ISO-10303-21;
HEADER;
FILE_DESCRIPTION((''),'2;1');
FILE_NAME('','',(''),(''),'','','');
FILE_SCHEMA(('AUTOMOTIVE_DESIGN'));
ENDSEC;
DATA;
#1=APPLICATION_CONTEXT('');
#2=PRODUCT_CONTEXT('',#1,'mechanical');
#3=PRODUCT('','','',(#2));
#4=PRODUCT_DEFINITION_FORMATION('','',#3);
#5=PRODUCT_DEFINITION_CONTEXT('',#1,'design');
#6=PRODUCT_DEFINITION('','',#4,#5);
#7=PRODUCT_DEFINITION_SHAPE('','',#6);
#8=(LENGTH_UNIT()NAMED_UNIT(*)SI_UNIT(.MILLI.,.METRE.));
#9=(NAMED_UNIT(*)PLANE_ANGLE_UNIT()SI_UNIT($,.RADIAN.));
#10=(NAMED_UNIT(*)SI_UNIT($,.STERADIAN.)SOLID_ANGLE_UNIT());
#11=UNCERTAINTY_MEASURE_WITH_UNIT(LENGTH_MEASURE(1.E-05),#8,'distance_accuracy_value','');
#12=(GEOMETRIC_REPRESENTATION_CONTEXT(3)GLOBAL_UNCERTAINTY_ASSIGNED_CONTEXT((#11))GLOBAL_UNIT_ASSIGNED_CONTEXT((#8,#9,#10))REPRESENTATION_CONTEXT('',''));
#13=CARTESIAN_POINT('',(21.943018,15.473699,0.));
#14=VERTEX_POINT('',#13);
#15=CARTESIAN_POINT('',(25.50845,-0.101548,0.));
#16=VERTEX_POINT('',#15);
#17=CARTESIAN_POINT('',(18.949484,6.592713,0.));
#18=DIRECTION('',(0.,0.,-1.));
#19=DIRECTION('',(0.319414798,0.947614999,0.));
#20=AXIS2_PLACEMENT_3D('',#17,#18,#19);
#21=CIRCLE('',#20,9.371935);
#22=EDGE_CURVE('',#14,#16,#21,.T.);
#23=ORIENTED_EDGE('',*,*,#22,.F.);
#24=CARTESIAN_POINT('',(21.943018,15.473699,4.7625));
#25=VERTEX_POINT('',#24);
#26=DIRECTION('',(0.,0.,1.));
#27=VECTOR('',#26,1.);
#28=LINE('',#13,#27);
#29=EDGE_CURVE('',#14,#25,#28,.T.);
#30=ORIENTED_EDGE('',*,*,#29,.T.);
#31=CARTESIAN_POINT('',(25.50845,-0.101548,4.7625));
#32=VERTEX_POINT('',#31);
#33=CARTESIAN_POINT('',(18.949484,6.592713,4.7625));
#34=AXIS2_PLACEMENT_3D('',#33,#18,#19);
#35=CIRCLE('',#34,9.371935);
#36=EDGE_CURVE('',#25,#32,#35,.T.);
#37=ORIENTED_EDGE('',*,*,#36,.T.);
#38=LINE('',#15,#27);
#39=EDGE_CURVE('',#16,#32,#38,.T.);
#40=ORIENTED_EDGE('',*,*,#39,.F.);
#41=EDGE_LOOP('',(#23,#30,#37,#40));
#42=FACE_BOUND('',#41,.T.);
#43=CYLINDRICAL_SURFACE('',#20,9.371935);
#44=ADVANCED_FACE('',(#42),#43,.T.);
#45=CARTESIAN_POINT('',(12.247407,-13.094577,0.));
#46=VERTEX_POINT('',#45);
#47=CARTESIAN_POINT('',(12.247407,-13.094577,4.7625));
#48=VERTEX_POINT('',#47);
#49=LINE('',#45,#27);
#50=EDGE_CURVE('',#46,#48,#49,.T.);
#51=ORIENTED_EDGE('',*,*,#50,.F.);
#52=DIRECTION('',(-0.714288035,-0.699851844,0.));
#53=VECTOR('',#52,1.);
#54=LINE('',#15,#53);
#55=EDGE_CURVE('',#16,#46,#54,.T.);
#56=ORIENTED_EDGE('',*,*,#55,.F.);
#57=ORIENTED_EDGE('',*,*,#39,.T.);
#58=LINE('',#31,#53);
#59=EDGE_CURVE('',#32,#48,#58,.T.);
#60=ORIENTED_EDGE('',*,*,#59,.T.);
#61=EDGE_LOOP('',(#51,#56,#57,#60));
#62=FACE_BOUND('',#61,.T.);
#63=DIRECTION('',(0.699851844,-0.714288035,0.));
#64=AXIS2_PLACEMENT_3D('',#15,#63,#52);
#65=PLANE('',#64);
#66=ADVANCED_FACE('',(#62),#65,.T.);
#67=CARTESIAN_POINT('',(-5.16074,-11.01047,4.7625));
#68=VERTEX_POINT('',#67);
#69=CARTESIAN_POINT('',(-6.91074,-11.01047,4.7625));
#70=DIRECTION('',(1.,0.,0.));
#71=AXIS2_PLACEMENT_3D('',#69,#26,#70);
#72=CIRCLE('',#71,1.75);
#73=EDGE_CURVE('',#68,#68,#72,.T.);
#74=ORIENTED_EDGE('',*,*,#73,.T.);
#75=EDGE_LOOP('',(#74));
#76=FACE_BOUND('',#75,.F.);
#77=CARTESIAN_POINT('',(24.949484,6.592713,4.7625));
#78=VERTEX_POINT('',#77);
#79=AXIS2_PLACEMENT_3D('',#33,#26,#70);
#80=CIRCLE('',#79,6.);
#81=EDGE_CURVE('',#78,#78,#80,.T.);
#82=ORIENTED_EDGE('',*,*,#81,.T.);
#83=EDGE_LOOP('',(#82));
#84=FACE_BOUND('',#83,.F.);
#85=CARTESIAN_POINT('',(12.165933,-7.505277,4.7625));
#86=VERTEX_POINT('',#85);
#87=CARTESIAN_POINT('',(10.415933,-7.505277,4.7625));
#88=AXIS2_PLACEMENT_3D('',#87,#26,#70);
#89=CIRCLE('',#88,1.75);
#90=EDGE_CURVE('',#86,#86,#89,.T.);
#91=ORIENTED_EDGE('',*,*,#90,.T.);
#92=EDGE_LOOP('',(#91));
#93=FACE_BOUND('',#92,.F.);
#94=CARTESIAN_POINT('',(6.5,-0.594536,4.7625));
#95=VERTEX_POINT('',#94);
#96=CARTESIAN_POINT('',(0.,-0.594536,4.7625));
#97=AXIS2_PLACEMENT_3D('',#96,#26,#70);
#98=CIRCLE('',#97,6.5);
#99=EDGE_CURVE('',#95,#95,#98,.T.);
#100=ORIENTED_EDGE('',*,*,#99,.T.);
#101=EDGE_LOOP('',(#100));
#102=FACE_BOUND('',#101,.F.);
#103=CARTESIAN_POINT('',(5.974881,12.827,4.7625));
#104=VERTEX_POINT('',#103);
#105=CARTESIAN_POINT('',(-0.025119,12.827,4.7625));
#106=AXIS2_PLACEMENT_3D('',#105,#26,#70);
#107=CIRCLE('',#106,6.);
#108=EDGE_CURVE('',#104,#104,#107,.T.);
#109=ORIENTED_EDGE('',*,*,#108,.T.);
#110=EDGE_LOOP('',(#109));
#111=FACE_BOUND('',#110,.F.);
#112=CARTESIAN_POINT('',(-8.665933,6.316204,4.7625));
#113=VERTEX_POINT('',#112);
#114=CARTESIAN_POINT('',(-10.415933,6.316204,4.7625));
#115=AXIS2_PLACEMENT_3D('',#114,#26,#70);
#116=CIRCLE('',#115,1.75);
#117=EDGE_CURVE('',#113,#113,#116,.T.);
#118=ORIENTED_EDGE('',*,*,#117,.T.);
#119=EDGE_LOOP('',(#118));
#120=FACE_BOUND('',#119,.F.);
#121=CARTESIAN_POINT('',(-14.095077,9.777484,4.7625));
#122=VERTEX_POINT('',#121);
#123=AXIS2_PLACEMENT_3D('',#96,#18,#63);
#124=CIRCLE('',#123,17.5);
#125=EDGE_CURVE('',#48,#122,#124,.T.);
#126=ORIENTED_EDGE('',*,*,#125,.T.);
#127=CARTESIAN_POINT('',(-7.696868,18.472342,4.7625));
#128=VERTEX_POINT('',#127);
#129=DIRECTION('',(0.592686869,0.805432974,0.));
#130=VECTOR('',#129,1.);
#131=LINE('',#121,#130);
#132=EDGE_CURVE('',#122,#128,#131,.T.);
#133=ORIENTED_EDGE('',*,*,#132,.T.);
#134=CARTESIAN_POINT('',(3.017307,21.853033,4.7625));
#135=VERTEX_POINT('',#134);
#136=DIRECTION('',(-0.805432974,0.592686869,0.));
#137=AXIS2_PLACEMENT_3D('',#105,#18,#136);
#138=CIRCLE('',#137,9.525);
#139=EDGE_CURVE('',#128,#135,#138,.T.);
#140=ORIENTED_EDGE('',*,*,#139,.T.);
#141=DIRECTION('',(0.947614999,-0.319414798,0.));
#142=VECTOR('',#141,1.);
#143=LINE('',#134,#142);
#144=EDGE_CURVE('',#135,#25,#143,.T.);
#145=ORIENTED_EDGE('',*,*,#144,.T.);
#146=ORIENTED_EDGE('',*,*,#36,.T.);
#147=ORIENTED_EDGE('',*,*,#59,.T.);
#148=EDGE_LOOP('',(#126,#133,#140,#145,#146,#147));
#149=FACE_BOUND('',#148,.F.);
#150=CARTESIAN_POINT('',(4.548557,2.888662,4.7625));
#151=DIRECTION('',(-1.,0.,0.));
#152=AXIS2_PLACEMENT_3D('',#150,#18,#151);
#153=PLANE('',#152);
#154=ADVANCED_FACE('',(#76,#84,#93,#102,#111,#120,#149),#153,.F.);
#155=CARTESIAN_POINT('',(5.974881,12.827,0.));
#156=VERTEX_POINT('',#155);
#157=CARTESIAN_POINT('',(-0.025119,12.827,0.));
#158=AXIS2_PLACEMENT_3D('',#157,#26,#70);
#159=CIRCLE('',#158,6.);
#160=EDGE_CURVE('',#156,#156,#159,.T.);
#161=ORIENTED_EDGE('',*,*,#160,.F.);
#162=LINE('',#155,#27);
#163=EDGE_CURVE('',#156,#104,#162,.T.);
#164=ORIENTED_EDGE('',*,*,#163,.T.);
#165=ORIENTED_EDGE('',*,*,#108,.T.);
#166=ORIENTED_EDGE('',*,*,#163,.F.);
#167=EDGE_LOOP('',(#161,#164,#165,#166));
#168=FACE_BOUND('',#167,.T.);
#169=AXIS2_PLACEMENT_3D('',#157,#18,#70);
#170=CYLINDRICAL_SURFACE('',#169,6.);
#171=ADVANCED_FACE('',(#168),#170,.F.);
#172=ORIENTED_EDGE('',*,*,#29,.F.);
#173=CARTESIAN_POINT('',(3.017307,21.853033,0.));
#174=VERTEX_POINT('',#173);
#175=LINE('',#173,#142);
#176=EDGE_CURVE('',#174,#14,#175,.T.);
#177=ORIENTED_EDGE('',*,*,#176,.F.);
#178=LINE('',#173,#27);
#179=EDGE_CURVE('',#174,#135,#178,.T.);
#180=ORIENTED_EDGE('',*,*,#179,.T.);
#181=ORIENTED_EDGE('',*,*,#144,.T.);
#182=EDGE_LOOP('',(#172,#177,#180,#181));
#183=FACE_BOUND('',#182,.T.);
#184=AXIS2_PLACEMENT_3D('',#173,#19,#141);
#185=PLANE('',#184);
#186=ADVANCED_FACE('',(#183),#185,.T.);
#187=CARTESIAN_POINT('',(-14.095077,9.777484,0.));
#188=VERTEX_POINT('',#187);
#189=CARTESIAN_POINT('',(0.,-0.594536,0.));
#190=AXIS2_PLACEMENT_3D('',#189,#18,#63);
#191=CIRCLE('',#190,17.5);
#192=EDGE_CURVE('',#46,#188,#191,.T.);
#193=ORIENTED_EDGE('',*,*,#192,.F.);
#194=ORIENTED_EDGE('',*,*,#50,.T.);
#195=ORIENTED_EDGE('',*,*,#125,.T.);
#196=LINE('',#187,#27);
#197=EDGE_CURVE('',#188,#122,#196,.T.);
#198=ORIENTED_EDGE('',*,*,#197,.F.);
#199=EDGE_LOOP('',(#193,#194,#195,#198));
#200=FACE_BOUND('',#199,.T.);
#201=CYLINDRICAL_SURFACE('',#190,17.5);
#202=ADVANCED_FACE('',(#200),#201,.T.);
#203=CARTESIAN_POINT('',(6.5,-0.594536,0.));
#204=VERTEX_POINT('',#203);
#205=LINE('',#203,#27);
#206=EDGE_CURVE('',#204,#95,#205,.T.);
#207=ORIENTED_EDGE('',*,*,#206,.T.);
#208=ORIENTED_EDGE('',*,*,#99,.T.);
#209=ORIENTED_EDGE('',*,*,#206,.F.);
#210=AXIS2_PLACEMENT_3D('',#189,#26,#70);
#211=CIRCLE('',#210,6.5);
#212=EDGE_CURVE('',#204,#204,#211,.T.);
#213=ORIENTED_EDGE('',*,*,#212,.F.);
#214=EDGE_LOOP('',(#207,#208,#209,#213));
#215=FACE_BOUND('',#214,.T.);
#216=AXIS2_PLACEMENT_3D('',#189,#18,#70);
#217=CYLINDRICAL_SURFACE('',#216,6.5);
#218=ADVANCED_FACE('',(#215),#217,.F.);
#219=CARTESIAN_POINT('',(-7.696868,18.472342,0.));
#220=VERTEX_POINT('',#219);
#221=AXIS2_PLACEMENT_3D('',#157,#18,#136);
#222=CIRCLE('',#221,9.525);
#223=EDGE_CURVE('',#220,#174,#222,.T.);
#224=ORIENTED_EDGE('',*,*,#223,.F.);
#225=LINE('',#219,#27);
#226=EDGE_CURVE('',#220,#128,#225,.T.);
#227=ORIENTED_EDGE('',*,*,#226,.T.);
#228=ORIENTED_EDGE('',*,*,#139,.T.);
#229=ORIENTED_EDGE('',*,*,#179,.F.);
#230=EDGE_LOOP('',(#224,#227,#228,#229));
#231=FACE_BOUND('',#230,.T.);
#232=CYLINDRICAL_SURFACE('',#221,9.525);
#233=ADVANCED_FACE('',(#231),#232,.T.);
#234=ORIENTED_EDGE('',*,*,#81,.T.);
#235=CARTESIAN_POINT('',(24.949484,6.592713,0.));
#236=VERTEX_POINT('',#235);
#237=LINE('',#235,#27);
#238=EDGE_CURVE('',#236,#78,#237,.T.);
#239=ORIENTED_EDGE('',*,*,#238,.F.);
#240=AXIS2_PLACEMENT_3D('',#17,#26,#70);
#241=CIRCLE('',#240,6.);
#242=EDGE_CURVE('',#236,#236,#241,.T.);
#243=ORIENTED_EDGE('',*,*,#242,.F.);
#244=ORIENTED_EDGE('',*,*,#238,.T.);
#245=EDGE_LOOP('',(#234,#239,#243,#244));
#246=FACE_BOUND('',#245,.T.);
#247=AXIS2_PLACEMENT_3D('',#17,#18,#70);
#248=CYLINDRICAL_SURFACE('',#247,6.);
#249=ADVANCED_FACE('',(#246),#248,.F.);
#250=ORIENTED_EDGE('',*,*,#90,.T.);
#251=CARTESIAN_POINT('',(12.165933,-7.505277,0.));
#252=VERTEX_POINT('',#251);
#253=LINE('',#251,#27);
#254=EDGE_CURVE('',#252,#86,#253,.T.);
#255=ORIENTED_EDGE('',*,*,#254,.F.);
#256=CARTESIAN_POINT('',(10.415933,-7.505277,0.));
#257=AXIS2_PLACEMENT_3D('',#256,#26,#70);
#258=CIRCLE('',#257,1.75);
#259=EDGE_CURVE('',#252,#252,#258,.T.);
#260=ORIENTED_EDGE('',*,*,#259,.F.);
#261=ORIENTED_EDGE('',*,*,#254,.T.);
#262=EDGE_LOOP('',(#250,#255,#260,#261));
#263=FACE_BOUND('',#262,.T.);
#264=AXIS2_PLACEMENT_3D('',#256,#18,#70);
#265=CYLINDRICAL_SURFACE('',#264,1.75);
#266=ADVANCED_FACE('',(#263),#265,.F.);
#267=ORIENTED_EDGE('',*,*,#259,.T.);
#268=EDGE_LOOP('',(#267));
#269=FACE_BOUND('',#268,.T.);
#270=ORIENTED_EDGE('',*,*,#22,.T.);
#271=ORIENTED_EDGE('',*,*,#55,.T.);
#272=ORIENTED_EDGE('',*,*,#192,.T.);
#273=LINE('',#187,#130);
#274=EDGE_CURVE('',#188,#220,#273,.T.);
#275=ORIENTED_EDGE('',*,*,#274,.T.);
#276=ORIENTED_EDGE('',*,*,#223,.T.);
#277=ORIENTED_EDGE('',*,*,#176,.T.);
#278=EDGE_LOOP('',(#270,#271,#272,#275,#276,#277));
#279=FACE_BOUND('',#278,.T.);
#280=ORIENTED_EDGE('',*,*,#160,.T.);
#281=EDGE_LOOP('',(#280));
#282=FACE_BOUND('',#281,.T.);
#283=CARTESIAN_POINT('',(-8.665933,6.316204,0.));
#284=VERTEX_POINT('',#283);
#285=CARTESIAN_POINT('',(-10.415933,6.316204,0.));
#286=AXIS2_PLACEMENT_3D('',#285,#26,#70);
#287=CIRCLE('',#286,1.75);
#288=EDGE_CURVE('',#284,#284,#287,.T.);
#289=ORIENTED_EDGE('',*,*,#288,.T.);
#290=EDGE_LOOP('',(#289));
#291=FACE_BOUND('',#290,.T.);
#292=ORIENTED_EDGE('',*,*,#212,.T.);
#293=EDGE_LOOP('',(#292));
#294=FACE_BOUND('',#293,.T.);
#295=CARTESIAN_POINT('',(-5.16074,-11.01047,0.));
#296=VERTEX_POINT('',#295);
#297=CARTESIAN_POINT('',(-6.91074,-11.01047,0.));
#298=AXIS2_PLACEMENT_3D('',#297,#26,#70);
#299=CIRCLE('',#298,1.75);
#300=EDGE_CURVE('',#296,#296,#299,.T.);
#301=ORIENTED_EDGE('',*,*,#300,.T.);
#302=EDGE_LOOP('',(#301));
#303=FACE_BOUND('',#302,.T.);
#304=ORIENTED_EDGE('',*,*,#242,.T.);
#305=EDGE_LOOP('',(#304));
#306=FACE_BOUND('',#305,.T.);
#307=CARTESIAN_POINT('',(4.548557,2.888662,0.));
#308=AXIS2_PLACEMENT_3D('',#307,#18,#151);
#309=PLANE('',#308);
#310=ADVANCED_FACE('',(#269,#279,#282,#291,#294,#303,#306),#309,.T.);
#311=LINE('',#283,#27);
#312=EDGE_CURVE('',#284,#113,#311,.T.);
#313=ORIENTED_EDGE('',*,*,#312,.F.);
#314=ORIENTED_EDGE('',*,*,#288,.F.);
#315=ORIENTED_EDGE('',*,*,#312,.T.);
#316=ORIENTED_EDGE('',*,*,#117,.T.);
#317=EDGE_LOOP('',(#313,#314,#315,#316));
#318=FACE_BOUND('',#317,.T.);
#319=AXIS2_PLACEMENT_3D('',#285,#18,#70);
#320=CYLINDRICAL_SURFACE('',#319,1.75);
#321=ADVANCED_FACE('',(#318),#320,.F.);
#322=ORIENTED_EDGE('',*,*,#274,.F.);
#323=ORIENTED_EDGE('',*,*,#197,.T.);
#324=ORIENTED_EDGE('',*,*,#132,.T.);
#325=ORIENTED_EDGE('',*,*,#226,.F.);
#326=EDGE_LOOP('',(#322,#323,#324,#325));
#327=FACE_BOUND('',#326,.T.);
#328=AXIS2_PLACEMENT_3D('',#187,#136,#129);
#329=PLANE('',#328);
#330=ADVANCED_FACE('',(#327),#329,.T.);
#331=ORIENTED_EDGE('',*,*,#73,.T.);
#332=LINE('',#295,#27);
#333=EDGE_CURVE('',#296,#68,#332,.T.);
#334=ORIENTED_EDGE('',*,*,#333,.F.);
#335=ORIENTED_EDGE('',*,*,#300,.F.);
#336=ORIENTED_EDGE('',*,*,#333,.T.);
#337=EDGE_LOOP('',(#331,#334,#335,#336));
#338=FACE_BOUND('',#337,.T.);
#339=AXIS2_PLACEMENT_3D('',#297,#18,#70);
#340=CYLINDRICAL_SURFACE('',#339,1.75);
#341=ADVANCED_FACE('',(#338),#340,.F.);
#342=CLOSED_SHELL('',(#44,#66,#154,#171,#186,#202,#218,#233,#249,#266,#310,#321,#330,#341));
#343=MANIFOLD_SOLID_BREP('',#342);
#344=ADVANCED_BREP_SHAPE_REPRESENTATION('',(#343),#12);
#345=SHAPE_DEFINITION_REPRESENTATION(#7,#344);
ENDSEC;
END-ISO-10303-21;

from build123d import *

# Parameters (mm, degrees)
SKETCH1_R           = 6
SKETCH1_R_2         = 6.5
SKETCH1_R_3         = 1.75
BOSS_EXTRUDE1_DEPTH = 4.7625


with BuildPart() as part:
    # Sketch1 → Boss-Extrude1 (new body)
    with BuildSketch(Plane.XY):
        with BuildLine():
            Line((3.017307004, 21.853032868), (21.943018301, 15.473699222))
            ThreePointArc((21.943018301, 15.473699222), (28.085108949, 8.684008391), (25.508449632, -0.101548271))
            Line((25.508449632, -0.101548271), (12.247407267, -13.094576991))
            ThreePointArc((12.247407267, -13.094576991), (-11.473284724, -13.808685528), (-14.095077044, 9.777483822))
            Line((-14.095077044, 9.777483822), (-7.696868023, 18.472342425))
            ThreePointArc((-7.696868023, 18.472342425), (-2.891288013, 21.910540052), (3.017307004, 21.853032868))
        make_face()
        with Locations((-0.025118946, 12.827)):
            Circle(SKETCH1_R, mode=Mode.SUBTRACT)
        with Locations((18.949483523, 6.592712883)):
            Circle(SKETCH1_R, mode=Mode.SUBTRACT)
        with Locations((0, -0.594536382)):
            Circle(SKETCH1_R_2, mode=Mode.SUBTRACT)
        with Locations((-10.415933459, 6.316203823)):
            Circle(SKETCH1_R_3, mode=Mode.SUBTRACT)
        with Locations((-6.910740205, -11.010469841)):
            Circle(SKETCH1_R_3, mode=Mode.SUBTRACT)
        with Locations((10.415933459, -7.505276587)):
            Circle(SKETCH1_R_3, mode=Mode.SUBTRACT)
    extrude(amount=BOSS_EXTRUDE1_DEPTH)


solid = part.part
